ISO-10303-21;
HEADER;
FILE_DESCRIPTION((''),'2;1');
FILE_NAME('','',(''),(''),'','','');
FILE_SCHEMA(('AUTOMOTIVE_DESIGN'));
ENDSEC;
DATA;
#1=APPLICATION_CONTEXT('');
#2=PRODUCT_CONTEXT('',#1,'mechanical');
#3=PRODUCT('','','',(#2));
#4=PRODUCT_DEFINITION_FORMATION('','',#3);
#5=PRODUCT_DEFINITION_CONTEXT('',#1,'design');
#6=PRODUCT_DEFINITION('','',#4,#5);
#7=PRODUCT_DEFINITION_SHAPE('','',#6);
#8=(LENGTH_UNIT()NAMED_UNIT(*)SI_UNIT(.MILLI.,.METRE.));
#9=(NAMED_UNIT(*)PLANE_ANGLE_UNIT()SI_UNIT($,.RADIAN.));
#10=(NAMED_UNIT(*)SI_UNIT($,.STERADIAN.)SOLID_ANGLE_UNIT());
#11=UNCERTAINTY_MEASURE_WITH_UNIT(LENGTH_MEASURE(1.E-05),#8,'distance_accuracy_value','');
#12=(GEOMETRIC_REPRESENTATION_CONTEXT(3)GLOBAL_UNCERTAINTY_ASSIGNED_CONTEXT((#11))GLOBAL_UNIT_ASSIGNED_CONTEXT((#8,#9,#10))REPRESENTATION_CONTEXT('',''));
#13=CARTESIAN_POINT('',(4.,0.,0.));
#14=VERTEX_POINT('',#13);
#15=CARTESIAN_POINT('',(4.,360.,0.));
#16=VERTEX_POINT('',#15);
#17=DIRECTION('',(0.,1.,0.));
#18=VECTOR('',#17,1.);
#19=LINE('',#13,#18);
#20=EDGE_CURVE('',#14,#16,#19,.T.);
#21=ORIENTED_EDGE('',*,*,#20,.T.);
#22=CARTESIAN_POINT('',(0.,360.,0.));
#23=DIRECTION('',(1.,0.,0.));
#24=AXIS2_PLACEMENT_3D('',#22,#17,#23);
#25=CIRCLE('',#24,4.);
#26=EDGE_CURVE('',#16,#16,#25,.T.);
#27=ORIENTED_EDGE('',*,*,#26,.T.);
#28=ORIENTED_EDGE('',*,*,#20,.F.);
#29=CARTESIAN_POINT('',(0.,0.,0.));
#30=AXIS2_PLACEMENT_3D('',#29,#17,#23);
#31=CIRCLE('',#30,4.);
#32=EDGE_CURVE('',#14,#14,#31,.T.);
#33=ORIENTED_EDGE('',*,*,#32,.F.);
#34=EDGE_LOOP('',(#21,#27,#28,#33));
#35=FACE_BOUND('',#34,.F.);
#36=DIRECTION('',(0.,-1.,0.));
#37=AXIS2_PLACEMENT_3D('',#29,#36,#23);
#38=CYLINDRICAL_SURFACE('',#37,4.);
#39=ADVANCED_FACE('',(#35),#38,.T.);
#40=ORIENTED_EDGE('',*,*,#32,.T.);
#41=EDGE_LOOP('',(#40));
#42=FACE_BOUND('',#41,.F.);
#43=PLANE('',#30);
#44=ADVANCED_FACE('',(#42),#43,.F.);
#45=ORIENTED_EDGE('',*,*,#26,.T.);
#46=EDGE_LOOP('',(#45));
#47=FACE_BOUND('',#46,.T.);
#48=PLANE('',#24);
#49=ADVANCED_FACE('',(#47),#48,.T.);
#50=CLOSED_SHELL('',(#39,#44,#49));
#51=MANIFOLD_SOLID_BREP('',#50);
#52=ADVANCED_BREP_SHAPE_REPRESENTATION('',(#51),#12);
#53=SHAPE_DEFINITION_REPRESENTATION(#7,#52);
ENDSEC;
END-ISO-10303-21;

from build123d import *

# Parameters (mm, degrees)
CROQUIS1_R              = 4
SALIENTE_EXTRUIR1_DEPTH = 360


with BuildPart() as part:
    # Croquis1 → Saliente-Extruir1 (new body)
    with BuildSketch(Plane(origin=(0, 0, 0), x_dir=(1, 0, 0), z_dir=(0, 1, 0))):
        Circle(CROQUIS1_R)
    extrude(amount=SALIENTE_EXTRUIR1_DEPTH)


solid = part.part
